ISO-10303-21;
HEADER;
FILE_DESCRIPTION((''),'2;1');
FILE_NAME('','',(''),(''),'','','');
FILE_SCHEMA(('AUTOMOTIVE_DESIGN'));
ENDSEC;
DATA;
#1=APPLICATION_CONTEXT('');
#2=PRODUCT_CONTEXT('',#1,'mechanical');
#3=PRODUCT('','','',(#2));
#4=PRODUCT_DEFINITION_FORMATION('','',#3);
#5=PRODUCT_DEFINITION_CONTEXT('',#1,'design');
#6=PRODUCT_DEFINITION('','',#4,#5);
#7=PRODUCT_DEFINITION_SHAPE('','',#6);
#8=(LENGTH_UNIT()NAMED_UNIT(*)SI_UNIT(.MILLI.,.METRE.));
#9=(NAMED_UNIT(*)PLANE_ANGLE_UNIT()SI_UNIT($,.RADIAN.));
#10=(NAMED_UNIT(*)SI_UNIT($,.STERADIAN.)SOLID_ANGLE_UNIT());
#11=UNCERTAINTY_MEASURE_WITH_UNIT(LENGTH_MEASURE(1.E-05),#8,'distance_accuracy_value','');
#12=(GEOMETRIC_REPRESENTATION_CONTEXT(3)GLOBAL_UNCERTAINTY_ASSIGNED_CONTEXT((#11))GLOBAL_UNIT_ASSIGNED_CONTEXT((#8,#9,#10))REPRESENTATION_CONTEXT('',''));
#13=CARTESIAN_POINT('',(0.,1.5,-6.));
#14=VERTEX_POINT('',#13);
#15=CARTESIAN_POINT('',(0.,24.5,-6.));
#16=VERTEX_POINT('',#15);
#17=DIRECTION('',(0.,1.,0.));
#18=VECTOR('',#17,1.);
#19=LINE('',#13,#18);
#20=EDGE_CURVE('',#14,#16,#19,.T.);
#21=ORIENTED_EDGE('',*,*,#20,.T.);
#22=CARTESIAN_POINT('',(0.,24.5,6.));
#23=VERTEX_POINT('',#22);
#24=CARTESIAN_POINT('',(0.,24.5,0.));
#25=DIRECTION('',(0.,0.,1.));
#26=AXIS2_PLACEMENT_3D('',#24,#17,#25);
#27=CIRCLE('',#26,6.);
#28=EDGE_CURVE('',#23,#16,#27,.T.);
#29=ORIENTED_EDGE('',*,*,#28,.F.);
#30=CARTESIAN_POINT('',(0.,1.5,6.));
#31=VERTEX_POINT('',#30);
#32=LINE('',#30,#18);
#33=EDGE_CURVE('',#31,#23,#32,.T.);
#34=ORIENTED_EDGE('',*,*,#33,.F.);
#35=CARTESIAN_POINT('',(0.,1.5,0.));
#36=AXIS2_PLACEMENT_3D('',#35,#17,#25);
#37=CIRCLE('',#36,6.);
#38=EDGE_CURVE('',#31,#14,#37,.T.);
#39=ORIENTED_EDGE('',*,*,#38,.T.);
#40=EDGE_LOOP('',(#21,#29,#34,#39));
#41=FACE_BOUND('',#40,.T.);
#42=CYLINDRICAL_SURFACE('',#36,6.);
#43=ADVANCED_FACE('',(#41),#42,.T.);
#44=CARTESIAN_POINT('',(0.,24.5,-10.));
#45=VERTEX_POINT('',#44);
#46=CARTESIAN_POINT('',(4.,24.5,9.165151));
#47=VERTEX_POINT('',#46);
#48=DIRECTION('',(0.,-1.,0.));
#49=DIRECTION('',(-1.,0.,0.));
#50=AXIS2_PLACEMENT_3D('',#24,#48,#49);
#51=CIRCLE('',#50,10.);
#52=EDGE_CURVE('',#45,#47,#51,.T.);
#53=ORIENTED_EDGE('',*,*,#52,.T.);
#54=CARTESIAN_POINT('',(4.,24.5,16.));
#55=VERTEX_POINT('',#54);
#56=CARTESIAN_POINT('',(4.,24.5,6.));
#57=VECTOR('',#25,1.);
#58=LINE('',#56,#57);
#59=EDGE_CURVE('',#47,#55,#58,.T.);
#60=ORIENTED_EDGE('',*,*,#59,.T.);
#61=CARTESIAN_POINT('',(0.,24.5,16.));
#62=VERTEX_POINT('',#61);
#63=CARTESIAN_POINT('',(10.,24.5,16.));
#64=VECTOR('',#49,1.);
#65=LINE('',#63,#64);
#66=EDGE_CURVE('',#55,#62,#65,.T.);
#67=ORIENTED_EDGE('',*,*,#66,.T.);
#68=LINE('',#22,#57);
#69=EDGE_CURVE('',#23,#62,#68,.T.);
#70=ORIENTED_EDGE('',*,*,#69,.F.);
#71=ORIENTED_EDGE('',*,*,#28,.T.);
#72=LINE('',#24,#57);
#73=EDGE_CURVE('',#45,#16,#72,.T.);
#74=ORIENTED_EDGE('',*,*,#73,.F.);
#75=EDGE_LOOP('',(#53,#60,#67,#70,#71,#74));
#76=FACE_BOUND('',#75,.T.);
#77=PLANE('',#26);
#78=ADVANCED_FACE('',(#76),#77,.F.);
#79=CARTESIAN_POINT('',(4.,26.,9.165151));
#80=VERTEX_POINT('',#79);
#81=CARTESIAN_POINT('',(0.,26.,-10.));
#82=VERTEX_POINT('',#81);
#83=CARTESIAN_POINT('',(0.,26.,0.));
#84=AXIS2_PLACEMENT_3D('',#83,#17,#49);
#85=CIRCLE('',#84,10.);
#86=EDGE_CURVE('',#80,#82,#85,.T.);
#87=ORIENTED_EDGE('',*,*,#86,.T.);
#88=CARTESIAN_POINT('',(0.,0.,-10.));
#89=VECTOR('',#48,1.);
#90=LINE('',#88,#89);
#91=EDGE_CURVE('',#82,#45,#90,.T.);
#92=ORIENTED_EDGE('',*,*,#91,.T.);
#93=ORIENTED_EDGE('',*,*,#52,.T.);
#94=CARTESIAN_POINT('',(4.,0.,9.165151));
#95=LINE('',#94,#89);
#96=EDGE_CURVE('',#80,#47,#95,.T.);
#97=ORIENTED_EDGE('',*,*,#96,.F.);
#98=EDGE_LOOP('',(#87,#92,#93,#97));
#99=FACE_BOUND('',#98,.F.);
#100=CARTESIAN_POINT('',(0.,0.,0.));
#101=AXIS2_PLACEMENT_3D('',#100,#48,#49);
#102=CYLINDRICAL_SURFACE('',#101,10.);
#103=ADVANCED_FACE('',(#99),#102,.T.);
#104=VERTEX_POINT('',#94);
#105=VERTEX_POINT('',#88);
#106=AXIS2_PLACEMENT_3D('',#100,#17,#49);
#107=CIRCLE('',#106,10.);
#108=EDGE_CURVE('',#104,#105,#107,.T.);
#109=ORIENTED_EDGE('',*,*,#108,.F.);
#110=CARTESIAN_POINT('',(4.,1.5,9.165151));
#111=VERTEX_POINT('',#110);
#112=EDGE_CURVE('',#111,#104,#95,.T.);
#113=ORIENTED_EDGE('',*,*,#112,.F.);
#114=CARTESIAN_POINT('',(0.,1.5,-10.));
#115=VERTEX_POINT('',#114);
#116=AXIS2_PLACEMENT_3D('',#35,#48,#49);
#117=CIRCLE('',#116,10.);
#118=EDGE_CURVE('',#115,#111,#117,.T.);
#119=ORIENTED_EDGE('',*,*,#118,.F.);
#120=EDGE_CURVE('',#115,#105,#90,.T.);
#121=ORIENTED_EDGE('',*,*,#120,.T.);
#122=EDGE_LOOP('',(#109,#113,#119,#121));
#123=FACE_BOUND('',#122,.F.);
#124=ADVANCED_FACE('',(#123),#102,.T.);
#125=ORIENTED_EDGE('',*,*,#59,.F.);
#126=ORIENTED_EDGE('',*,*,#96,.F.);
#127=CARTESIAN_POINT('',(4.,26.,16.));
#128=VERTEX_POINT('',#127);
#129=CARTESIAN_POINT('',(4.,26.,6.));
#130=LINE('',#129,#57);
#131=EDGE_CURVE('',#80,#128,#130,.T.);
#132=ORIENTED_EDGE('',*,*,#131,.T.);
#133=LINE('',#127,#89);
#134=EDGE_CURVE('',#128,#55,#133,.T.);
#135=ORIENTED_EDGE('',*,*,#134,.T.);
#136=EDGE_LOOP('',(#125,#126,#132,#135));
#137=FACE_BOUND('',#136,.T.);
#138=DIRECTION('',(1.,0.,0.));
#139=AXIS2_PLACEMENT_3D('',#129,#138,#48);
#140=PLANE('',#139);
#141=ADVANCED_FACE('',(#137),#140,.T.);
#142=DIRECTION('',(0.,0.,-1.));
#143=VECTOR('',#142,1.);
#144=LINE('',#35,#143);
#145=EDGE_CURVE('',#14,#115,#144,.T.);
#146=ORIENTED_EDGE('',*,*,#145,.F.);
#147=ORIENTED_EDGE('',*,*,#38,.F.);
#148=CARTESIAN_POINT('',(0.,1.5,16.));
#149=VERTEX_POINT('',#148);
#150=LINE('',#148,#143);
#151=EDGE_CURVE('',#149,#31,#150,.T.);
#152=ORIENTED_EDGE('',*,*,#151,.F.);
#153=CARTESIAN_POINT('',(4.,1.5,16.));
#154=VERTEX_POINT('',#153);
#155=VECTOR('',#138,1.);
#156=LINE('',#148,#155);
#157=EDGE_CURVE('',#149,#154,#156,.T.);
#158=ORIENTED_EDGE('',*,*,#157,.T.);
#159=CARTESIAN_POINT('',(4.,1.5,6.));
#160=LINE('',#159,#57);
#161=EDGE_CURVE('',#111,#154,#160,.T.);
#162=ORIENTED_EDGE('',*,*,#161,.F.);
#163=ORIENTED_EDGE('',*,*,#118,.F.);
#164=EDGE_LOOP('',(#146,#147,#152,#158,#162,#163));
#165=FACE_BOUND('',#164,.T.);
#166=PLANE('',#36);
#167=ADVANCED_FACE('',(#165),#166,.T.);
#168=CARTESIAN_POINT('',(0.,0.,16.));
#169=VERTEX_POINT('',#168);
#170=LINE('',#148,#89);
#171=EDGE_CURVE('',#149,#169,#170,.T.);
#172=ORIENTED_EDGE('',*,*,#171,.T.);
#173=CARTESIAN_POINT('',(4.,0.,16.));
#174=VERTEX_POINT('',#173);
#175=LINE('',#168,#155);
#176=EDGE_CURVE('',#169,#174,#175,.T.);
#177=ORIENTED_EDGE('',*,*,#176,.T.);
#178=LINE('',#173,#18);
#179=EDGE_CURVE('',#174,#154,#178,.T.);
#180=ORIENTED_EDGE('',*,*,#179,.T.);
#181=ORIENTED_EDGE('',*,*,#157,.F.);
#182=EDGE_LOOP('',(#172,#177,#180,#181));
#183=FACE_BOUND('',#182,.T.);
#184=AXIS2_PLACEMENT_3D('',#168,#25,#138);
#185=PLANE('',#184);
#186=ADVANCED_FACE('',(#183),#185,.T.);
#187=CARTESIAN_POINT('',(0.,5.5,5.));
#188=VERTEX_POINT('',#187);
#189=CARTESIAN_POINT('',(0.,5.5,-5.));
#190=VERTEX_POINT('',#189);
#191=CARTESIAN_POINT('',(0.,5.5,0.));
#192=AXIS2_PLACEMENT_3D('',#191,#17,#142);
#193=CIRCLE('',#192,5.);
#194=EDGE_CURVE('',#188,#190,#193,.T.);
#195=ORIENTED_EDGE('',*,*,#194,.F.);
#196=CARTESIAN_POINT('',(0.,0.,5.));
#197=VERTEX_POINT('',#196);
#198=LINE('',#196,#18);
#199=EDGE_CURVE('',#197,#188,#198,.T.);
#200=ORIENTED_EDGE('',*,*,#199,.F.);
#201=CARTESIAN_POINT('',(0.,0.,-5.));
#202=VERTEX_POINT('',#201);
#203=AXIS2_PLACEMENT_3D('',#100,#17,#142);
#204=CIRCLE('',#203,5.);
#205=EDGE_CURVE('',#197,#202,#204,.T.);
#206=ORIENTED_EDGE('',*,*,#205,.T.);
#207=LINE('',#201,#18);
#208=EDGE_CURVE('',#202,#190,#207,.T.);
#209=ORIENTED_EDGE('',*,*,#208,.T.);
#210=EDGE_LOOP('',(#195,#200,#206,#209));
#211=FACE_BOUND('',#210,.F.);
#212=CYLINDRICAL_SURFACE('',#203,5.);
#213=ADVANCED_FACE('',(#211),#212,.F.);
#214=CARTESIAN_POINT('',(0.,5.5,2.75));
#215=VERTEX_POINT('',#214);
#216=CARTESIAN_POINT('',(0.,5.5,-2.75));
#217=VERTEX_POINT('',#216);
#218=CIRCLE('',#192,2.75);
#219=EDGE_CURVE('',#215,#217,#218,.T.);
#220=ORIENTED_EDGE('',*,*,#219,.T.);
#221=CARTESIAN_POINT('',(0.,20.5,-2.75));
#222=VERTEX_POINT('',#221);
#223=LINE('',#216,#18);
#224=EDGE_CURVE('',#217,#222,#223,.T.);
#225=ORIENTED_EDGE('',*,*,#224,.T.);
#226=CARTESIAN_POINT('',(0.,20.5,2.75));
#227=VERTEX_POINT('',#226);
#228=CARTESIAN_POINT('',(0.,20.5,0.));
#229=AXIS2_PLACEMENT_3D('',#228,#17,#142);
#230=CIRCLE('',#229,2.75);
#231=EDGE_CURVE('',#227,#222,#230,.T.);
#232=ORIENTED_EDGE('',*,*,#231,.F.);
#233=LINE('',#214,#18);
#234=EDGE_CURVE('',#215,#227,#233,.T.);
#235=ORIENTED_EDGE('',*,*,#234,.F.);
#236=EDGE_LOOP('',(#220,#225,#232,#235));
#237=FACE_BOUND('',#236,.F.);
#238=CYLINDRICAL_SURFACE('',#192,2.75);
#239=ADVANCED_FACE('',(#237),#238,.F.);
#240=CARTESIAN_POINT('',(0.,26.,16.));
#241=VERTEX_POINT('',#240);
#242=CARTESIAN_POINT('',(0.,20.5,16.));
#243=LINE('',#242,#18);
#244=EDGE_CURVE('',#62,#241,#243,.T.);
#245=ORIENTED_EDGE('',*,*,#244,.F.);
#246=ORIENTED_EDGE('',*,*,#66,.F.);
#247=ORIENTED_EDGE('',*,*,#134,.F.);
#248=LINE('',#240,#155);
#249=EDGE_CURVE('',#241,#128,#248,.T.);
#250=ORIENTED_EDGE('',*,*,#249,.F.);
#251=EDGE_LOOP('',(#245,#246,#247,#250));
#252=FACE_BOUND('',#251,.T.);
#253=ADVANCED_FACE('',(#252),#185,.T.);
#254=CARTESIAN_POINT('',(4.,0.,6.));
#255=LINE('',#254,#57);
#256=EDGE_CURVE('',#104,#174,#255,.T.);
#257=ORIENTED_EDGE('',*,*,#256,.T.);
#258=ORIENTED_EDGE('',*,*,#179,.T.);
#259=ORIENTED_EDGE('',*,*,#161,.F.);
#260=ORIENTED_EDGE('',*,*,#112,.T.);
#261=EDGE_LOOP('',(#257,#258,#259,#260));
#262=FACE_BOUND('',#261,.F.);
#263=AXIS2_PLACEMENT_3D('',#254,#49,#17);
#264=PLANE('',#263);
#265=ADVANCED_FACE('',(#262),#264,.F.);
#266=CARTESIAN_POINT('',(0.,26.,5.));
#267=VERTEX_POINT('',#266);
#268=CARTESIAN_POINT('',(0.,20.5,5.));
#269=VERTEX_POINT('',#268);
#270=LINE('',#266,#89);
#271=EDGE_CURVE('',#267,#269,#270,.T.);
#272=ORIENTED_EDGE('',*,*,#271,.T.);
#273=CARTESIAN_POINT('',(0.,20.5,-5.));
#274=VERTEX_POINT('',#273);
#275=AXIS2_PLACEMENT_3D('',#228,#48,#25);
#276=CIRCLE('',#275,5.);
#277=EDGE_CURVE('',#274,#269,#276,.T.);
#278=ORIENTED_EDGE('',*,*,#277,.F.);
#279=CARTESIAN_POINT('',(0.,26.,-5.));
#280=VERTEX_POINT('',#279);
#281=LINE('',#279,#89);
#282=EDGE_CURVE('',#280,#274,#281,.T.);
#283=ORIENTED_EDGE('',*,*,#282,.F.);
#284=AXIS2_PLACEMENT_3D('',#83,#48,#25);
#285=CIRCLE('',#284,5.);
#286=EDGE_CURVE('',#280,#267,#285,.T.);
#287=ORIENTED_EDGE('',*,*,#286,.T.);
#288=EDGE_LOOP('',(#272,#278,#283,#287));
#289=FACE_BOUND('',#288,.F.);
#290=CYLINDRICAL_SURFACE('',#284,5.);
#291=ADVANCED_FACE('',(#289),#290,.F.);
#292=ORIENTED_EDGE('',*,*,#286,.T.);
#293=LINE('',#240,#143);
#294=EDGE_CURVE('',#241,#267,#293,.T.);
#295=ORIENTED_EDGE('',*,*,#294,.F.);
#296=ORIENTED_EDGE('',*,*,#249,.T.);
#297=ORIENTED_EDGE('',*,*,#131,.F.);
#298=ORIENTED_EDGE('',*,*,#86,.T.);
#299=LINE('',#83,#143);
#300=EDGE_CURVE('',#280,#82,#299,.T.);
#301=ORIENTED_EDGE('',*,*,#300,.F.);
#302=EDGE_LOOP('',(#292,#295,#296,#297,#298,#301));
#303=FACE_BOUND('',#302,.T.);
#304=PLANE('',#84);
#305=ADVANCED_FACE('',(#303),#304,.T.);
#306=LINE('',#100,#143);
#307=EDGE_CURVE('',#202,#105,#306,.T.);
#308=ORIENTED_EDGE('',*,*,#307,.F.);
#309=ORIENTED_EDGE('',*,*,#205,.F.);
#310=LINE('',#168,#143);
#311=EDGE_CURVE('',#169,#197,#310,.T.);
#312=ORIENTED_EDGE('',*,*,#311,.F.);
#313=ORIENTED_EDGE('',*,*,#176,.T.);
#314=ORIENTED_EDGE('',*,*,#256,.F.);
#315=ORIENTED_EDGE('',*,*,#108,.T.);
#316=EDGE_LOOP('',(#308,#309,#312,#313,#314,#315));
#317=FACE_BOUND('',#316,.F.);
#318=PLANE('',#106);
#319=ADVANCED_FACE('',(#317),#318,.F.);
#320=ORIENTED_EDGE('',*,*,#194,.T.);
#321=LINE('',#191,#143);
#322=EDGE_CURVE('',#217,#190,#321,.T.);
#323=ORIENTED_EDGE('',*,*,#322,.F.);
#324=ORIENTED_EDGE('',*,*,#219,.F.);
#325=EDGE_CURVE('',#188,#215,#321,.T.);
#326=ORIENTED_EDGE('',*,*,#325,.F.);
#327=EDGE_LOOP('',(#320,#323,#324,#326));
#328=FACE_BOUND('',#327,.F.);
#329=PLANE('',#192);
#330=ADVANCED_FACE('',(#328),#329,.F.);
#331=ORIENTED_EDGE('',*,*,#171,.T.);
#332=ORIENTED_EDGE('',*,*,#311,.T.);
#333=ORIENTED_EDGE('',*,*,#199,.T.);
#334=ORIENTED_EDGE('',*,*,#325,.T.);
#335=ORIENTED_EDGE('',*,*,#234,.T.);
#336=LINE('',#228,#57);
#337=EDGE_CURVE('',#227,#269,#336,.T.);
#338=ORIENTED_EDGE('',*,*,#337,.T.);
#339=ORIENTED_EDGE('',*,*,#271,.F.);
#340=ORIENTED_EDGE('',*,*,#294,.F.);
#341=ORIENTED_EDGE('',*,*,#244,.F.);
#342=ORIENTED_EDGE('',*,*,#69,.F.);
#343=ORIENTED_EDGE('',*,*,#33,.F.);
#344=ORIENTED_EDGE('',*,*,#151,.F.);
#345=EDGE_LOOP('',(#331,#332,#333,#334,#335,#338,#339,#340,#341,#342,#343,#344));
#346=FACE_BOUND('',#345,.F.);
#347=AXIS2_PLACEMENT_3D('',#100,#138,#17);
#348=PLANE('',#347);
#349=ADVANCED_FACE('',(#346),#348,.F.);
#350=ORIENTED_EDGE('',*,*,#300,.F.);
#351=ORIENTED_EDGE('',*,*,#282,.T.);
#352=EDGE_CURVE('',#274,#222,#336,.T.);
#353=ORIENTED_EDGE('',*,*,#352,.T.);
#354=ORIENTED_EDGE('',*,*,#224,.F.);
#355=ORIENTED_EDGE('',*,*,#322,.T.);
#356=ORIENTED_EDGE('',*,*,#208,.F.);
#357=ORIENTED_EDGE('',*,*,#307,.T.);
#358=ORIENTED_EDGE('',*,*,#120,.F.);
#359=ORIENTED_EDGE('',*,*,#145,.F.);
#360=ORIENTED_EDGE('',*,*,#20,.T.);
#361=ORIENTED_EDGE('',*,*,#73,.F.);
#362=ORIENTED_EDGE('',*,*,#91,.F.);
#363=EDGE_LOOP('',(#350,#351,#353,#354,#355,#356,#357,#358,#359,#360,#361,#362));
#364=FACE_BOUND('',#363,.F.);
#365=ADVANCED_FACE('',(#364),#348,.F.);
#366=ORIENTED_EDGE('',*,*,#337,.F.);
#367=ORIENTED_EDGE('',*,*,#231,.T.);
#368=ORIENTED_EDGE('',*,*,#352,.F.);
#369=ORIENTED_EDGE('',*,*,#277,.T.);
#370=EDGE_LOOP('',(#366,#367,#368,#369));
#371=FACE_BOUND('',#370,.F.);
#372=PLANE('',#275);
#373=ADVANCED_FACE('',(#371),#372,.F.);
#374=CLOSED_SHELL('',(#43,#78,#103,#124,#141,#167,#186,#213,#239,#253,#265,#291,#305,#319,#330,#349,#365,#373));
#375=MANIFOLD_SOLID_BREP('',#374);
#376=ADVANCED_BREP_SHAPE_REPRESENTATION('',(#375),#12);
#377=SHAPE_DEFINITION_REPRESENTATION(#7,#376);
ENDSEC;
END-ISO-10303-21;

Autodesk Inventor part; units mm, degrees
ref_plane "YZ Plane" through (0, 0, 0) normal (1, 0, 0) x (0, 1, 0)
ref_plane "XZ Plane" through (0, 0, 0) normal (0, 1, 0) x (-1, 0, 0)
sketch "Sketch1" plane through (0, 0, 0) normal (0, 1, 0) x (-1, 0, 0)
  circle A0 centre (0, 0) radius 10
  dimension "d0" = 20
extrude "Extrusion1" add sketch "Sketch1" along normal blind 26
sketch "Sketch2" plane through (0, 0, 0) normal (0, -1, 0) x (1, 0, 0)
  point P0 (0, 0)
  point P1 (0, 0)
hole "Hole1" at (0, 0, 0) direction (0, 1, 0) diameter 5.5 end through all counterbore diameter 10 counterbore depth 5.5 clearance for "Socket Head Cap Screw DIN EN ISO 4762" size "M5" standard "DIN"
sketch "Sketch3" plane through (0, 0, 0) normal (1, 0, 0) x (0, 1, 0)
  line L0 (24.5, 10) -> (1.5, 10)
  line L1 (1.5, 10) -> (1.5, 6)
  line L2 (1.5, 6) -> (24.5, 6)
  line L3 (24.5, 6) -> (24.5, 10)
  line L4 (26, -10) -> (26, 10) projected
  line L5 (-4.4, 0) -> (26.4, 0) projected
  point P0 (0, 0)
  dimension "d10" = 6
  dimension "d11" = 1.5
  dimension "d12" = 1.5
revolve "Revolution1" cut sketch "Sketch3" angle 360 about axis through (0, -10, 0) along (0, 1, 0)
sketch "Sketch5" plane through (0, 26, 0) normal (0, 1, 0) x (1, 0, 0)
  circle A0 centre (0, 0) radius 2.75 projected
hole "Hole2" at (0, 26, 0) direction (0, -1, 0) diameter 5.5 end through all counterbore diameter 10 counterbore depth 5.5 clearance for "Socket Head Cap Screw DIN EN ISO 4762" size "M5" standard "DIN"
sketch "Sketch7" plane through (0, 0, 0) normal (1, 0, 0) x (0, 1, 0)
  line L0 (-12.4894, -25.9847) -> (40.6535, -25.9847)
  line L1 (40.6535, -25.9847) -> (40.6535, 26.2362)
  line L2 (40.6535, 26.2362) -> (-12.4894, 26.2362)
  line L3 (-12.4894, 26.2362) -> (-12.4894, -25.9847)
  point P0 (0, 0)
extrude "Extrusion3" cut sketch "Sketch7" against normal blind 15
ref_plane "Work Plane1" through (0, 0, 6) normal (0, 0, 1) x (1, 0, 0)
sketch "Sketch8" plane through (0, 0, 6) normal (0, 0, 1) x (1, 0, 0)
  line L0 (0, 0) -> (10, 0) projected
  line L1 (0, 1.5) -> (10, 1.5) projected
  line L2 (0, 0) -> (4, 0)
  line L3 (4, 0) -> (4, 1.5)
  line L4 (4, 1.5) -> (0, 1.5)
  line L5 (0, 1.5) -> (0, 0)
  line L6 (0, 20.5) -> (0, 26) projected
  line L7 (10, 24.5) -> (0, 24.5) projected
  line L8 (0, 26) -> (4, 26)
  line L9 (4, 26) -> (4, 24.5)
  line L10 (4, 24.5) -> (0, 24.5)
  line L11 (0, 24.5) -> (0, 26)
  dimension "d26" = 4
extrude "Extrusion4" add sketch "Sketch8" along normal blind 10
properties part number "Test2" material "ABS Plastic"
